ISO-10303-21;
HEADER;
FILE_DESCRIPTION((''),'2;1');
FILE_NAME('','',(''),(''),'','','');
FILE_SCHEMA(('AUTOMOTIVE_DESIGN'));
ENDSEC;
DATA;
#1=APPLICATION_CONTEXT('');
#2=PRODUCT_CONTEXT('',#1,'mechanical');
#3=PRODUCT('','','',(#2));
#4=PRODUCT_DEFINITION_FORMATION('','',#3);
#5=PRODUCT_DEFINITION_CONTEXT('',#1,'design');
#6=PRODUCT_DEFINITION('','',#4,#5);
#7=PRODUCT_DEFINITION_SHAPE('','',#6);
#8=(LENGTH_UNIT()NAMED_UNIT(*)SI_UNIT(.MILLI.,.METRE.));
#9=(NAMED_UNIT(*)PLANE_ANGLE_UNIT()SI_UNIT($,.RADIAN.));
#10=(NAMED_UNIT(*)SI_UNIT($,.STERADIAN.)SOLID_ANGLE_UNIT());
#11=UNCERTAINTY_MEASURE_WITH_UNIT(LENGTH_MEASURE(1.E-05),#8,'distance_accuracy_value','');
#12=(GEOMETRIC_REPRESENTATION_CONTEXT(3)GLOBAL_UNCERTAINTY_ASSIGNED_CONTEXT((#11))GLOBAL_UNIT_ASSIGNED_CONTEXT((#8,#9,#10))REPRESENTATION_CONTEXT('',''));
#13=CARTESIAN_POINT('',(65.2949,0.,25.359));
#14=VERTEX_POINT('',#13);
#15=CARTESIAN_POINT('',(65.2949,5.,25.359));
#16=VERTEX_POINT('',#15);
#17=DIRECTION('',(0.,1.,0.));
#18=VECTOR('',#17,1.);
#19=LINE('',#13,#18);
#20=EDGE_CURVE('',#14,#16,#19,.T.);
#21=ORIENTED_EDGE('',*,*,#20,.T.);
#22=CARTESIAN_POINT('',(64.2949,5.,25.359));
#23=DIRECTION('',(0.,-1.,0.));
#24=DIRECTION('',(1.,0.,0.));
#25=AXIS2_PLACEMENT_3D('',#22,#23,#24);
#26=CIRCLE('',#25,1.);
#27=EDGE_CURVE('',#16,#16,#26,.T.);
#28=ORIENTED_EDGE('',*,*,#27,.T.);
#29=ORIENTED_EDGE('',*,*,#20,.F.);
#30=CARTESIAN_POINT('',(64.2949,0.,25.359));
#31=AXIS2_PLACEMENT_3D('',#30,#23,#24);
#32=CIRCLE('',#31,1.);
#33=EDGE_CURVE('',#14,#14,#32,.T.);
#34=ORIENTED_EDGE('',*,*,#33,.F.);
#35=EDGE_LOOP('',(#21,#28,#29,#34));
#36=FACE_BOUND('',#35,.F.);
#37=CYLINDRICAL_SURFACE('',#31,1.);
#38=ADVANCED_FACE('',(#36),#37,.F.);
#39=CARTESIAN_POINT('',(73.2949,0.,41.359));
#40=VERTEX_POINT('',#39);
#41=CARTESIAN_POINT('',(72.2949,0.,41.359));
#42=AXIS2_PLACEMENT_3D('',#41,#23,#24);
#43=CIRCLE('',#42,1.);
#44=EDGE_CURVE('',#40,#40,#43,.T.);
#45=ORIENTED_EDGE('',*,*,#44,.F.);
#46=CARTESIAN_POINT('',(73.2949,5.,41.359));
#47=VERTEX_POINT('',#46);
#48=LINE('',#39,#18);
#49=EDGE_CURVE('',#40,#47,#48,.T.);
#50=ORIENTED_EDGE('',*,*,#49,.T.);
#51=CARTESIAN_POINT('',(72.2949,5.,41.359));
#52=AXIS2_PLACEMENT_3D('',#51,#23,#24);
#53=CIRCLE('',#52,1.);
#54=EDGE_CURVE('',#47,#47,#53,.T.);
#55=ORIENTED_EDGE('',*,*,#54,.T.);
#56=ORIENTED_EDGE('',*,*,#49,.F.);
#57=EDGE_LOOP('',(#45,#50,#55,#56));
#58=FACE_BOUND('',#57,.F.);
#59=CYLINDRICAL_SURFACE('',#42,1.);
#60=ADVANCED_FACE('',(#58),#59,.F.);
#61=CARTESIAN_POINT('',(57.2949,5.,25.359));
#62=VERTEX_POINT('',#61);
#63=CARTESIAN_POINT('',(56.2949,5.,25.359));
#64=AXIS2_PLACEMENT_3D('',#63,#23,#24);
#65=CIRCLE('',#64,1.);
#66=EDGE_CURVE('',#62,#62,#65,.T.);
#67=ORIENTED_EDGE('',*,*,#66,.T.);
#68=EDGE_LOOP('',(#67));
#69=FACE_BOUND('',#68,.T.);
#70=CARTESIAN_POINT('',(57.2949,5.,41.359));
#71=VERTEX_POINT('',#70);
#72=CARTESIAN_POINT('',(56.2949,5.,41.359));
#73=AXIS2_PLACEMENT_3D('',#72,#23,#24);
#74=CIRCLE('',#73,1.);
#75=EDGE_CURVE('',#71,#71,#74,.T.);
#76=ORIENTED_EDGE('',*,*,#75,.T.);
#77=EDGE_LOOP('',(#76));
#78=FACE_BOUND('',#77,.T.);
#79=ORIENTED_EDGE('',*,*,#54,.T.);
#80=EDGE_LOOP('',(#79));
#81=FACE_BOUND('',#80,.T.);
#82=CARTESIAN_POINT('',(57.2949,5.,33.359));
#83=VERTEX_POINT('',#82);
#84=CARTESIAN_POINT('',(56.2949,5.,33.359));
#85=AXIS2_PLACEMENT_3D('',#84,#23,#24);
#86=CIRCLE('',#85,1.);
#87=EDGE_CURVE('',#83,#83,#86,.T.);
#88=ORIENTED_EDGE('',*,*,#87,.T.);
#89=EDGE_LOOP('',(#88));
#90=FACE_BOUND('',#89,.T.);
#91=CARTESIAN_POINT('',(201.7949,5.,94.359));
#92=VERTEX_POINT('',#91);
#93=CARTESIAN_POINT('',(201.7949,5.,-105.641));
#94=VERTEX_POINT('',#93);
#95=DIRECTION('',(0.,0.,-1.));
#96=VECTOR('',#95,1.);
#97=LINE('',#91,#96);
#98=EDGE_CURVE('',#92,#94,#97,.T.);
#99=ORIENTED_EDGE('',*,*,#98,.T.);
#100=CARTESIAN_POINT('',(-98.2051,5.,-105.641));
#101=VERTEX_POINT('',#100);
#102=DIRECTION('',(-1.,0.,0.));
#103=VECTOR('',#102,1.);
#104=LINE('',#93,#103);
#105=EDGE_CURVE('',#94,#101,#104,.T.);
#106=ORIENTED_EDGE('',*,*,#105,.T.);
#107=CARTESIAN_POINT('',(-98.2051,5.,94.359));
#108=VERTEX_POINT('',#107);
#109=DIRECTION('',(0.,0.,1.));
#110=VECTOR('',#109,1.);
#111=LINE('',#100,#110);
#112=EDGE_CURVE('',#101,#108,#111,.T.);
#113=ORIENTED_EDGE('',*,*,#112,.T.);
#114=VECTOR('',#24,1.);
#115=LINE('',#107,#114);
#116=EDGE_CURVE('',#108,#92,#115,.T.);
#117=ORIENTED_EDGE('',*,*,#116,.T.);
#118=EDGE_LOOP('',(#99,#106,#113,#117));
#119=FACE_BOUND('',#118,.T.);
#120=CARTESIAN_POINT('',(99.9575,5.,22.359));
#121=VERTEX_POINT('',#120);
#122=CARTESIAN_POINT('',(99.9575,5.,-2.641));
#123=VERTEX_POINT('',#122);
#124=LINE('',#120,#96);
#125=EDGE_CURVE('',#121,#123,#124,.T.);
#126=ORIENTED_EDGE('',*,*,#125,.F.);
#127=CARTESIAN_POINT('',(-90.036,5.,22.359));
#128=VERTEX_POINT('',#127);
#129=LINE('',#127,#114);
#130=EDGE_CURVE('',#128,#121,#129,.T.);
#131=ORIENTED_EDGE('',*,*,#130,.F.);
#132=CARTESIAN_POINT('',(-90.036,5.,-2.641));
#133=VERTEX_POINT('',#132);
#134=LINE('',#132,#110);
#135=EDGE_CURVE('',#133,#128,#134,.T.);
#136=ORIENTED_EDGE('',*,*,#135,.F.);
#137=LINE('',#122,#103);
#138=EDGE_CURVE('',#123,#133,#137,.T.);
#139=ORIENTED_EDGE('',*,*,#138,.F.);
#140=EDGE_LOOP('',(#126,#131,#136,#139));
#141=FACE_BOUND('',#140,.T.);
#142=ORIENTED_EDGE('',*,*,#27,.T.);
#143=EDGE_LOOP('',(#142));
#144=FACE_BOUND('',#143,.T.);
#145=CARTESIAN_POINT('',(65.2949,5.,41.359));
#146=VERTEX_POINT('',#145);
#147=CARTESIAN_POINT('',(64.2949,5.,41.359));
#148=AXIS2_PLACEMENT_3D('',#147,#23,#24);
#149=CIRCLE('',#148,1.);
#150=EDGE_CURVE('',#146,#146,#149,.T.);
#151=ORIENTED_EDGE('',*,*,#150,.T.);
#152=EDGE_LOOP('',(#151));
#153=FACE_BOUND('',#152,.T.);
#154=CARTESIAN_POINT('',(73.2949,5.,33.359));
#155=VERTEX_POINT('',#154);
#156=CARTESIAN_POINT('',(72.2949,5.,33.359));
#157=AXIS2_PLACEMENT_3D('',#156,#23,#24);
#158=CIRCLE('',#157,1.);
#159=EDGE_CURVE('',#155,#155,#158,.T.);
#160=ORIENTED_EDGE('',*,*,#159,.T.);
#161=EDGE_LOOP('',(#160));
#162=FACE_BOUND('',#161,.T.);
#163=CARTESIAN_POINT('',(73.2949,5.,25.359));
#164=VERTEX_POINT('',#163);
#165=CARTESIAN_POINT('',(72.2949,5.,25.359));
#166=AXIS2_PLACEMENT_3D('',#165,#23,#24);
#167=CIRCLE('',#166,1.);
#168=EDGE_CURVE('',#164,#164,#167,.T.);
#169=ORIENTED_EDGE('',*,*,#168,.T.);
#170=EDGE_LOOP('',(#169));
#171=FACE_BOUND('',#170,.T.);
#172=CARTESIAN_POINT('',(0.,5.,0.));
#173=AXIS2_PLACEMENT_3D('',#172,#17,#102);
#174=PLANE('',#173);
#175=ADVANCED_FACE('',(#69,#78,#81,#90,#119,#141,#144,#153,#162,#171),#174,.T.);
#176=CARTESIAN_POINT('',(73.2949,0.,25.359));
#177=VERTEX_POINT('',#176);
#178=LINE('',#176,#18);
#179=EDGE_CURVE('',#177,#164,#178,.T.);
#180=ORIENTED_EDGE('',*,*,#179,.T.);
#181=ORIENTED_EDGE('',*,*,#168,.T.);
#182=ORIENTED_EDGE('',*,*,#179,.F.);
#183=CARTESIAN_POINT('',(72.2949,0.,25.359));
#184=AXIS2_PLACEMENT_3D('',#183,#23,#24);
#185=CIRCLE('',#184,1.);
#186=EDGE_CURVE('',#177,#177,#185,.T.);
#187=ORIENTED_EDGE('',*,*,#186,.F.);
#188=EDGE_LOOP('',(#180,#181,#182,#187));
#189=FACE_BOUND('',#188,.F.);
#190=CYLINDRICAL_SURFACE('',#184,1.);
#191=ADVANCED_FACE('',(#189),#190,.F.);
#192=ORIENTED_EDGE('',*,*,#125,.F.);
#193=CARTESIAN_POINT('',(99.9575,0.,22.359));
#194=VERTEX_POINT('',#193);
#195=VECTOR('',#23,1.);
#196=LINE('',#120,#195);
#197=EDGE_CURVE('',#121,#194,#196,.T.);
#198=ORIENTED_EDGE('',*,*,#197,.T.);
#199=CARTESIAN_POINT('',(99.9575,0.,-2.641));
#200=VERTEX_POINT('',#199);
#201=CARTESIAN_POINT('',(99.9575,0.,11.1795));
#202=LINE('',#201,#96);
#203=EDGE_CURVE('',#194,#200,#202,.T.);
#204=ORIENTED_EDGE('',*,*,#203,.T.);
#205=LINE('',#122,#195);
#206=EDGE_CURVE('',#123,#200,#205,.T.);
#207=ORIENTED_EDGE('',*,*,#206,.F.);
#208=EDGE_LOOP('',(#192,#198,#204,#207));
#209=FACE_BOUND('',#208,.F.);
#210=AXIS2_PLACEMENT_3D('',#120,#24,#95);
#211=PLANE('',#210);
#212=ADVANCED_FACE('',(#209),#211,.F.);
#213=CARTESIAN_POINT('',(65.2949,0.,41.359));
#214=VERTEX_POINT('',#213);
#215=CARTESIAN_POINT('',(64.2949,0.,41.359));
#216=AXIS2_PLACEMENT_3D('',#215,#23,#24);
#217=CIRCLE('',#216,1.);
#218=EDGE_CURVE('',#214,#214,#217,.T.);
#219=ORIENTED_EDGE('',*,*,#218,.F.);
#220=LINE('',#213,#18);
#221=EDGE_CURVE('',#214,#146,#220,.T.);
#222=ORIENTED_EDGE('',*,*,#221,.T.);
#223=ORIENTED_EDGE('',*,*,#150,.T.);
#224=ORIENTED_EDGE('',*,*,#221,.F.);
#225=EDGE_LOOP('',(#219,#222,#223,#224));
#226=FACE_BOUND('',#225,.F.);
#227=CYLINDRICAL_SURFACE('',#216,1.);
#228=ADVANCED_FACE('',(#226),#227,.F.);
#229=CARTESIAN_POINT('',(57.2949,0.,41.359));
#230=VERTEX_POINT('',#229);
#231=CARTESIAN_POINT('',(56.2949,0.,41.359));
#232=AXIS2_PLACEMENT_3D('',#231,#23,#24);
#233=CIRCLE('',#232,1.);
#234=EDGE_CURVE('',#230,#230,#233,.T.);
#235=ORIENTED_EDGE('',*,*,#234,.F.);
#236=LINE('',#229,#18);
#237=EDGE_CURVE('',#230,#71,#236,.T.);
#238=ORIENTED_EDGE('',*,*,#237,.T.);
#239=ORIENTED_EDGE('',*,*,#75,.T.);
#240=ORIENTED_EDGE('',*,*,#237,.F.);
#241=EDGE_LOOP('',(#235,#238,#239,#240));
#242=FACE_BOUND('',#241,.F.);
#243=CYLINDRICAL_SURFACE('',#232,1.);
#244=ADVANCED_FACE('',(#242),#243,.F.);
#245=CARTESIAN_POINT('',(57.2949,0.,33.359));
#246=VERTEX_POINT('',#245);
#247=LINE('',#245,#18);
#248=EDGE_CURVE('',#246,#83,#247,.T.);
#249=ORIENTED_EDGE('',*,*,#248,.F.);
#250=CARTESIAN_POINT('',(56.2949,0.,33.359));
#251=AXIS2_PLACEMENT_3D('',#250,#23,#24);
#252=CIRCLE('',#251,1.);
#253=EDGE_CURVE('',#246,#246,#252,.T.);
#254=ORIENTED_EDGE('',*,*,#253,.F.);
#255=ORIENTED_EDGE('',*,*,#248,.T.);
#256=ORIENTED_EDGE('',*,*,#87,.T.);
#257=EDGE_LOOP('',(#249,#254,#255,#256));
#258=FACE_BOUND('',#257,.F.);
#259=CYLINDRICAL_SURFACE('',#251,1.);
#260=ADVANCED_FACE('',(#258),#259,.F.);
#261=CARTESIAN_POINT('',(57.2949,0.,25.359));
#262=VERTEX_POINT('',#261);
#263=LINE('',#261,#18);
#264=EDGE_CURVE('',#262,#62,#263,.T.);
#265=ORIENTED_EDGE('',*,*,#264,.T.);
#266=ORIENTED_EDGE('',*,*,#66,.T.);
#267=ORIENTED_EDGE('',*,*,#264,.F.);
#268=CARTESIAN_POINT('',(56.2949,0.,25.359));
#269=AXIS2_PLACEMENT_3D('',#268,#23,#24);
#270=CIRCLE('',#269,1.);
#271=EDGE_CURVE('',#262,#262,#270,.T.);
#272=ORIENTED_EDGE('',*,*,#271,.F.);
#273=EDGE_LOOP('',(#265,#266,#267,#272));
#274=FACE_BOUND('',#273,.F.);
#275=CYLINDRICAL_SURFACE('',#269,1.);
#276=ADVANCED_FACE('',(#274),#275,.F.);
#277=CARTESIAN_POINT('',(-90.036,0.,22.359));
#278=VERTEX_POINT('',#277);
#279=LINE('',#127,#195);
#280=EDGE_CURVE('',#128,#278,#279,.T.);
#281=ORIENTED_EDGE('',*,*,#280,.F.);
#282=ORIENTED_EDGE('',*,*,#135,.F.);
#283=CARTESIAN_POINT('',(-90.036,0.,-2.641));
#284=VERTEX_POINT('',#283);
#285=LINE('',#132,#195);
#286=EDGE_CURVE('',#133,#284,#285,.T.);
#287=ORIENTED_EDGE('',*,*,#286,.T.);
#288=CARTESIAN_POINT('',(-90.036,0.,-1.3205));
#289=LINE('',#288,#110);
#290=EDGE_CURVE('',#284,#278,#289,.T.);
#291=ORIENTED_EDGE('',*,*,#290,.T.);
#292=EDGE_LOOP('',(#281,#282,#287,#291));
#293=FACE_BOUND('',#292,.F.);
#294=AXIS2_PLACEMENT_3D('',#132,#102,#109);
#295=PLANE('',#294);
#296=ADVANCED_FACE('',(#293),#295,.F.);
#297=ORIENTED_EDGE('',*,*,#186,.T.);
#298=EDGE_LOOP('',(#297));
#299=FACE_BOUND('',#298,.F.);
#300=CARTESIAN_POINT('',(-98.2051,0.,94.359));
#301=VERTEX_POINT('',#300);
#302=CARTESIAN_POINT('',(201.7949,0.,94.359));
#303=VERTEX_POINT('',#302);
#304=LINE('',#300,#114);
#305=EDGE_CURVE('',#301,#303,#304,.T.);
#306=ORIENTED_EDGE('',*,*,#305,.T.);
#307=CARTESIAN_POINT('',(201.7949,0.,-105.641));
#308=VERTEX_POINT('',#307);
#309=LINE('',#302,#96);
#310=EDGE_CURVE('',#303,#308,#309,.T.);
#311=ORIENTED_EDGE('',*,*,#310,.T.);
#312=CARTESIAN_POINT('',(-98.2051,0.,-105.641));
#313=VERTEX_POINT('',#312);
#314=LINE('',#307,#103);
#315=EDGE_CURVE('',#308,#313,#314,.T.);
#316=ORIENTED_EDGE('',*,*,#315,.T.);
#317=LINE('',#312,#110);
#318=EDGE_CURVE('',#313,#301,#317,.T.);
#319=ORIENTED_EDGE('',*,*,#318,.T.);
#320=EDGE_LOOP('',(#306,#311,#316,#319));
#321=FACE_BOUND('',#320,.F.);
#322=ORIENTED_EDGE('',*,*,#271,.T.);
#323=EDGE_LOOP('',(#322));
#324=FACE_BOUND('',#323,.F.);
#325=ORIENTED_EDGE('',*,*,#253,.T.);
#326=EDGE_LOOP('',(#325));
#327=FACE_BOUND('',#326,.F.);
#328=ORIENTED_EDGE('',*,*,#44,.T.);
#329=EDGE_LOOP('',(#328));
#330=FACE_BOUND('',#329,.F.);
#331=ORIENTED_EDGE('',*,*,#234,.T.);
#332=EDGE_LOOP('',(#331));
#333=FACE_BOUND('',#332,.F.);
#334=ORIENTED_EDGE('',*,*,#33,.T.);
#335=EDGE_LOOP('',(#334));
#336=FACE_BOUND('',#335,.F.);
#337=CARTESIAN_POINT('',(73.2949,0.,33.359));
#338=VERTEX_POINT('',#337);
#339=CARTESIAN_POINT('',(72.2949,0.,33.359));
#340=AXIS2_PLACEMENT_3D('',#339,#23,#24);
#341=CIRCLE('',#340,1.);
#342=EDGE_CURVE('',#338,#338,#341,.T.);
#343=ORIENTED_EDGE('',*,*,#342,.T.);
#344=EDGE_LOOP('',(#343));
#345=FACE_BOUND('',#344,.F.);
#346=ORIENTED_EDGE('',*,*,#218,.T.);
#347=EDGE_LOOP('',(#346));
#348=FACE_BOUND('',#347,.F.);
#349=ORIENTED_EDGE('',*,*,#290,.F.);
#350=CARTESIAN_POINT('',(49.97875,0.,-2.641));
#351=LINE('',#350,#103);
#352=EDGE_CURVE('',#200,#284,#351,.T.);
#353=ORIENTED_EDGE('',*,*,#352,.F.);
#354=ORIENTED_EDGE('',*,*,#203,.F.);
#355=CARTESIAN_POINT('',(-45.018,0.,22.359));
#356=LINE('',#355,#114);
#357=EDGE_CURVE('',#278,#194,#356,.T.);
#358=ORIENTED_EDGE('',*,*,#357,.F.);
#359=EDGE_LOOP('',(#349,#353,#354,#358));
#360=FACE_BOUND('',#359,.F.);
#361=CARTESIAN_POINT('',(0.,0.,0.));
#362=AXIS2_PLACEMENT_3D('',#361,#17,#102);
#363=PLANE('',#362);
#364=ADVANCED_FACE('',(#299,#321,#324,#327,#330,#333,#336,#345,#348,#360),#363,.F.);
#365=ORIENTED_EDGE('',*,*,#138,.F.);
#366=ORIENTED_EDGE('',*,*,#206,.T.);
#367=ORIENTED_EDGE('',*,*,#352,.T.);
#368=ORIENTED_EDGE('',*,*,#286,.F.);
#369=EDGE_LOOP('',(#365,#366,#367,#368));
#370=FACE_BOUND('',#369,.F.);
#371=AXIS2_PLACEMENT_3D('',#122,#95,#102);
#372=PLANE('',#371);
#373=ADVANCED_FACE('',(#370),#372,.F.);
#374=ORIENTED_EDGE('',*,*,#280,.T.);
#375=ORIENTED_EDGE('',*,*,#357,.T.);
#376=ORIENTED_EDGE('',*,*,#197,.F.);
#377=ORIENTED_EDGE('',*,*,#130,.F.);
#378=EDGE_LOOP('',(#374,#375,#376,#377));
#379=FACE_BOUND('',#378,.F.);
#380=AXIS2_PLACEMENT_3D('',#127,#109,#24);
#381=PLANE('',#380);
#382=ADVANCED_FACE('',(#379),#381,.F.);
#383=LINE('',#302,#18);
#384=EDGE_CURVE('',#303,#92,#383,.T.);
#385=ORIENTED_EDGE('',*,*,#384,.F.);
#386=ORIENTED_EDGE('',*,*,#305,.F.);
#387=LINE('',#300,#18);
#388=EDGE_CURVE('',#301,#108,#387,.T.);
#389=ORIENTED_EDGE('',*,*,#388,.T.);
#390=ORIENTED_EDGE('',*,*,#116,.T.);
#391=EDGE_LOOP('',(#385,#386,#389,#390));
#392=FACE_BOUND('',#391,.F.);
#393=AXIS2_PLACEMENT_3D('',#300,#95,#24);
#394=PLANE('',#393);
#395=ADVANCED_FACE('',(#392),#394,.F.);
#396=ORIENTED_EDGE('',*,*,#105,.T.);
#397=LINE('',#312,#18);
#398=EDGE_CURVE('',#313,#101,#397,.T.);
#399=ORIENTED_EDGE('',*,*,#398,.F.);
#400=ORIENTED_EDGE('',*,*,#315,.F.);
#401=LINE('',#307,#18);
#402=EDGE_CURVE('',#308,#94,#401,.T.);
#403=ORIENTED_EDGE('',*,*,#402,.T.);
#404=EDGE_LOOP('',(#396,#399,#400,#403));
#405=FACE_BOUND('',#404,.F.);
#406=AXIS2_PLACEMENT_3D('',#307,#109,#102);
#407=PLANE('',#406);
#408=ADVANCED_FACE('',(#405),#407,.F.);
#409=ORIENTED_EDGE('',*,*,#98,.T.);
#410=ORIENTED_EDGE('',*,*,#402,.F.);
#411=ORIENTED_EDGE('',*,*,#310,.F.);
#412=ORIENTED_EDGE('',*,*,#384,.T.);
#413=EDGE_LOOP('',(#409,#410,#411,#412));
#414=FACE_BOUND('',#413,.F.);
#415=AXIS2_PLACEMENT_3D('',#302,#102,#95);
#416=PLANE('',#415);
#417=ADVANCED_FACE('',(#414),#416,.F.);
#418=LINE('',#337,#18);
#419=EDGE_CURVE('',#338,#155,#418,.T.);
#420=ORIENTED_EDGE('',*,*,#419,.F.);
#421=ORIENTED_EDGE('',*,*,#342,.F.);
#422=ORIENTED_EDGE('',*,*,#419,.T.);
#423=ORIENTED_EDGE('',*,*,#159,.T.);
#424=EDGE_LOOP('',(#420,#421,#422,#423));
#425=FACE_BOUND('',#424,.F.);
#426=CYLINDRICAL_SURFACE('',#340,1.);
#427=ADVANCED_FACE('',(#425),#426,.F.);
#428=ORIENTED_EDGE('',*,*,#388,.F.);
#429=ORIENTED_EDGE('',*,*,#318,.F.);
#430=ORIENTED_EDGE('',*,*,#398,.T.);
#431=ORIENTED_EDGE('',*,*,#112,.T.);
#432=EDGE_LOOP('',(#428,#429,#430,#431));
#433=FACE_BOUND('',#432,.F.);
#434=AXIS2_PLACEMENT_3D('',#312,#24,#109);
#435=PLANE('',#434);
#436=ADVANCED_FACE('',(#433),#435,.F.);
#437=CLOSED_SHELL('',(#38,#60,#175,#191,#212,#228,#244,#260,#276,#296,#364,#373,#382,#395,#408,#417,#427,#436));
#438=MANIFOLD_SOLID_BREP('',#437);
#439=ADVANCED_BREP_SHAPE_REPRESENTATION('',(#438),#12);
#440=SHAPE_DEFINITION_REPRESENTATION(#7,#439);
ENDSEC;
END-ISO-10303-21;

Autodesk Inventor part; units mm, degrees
ref_plane "YZ Plane" through (0, 0, 0) normal (1, 0, 0) x (0, 1, 0)
ref_plane "XZ Plane" through (0, 0, 0) normal (0, 1, 0) x (-1, 0, 0)
ref_plane "XY Plane" through (0, 0, 0) normal (0, 0, 1) x (1, 0, 0)
sketch "Esquisse1" plane through (0, 0, 0) normal (0, 1, 0) x (-1, 0, 0)
  line L0 (98.2051, 94.359) -> (-201.7949, 94.359)
  line L1 (-201.7949, 94.359) -> (-201.7949, -105.641)
  line L2 (-201.7949, -105.641) -> (98.2051, -105.641)
  line L3 (98.2051, -105.641) -> (98.2051, 94.359)
  point P0 (0, 0)
  dimension "d0" = 200
  dimension "d1" = 300
extrude "Extrusion1" add sketch "Esquisse1" along normal blind 5
sketch "Esquisse2" plane through (0, 5, 0) normal (0, 1, 0) x (1, 0, 0)
  line L0 (89.9575, -12.359) -> (-80.036, -12.359) projected
  line L1 (89.9575, -7.359) -> (-80.036, -7.359) projected
  line L2 (-80.036, -12.359) -> (-80.036, -7.359) projected
  line L3 (89.9575, -12.359) -> (89.9575, -7.359) projected
  line L4 (-90.036, -22.359) -> (99.9575, -22.359)
  line L5 (99.9575, -22.359) -> (99.9575, 2.641)
  line L6 (99.9575, 2.641) -> (-90.036, 2.641)
  line L7 (-90.036, 2.641) -> (-90.036, -22.359)
  point P0 (0, 0)
  dimension "d4" = 10
  dimension "d5" = 10
  dimension "d6" = 10
  dimension "d7" = 10
extrude "Extrusion2" cut sketch "Esquisse2" against normal through all contours L0 L2 L1 L3 | L7 L6 L5 L4
sketch "Esquisse3" plane through (0, 0, 0) normal (0, -1, 0) x (1, 0, 0)
  circle A0 centre (56.2949, 33.359) radius 1 projected
  line L0 (57.2949, 15.359) -> (55.2949, 15.359) projected
  circle A1 centre (56.2949, 41.359) radius 1 projected
  circle A2 centre (64.2949, 41.359) radius 1 projected
  circle A3 centre (72.2949, 33.359) radius 1 projected
  circle A4 centre (72.2949, 41.359) radius 1 projected
  circle A5 centre (72.2949, 25.359) radius 1 projected
  circle A6 centre (64.2949, 25.359) radius 1 projected
  circle A7 centre (56.2949, 25.359) radius 1 projected
  point P0 (0, 0)
extrude "Extrusion3" cut sketch "Esquisse3" against normal through all
properties part number "face-lateral"
